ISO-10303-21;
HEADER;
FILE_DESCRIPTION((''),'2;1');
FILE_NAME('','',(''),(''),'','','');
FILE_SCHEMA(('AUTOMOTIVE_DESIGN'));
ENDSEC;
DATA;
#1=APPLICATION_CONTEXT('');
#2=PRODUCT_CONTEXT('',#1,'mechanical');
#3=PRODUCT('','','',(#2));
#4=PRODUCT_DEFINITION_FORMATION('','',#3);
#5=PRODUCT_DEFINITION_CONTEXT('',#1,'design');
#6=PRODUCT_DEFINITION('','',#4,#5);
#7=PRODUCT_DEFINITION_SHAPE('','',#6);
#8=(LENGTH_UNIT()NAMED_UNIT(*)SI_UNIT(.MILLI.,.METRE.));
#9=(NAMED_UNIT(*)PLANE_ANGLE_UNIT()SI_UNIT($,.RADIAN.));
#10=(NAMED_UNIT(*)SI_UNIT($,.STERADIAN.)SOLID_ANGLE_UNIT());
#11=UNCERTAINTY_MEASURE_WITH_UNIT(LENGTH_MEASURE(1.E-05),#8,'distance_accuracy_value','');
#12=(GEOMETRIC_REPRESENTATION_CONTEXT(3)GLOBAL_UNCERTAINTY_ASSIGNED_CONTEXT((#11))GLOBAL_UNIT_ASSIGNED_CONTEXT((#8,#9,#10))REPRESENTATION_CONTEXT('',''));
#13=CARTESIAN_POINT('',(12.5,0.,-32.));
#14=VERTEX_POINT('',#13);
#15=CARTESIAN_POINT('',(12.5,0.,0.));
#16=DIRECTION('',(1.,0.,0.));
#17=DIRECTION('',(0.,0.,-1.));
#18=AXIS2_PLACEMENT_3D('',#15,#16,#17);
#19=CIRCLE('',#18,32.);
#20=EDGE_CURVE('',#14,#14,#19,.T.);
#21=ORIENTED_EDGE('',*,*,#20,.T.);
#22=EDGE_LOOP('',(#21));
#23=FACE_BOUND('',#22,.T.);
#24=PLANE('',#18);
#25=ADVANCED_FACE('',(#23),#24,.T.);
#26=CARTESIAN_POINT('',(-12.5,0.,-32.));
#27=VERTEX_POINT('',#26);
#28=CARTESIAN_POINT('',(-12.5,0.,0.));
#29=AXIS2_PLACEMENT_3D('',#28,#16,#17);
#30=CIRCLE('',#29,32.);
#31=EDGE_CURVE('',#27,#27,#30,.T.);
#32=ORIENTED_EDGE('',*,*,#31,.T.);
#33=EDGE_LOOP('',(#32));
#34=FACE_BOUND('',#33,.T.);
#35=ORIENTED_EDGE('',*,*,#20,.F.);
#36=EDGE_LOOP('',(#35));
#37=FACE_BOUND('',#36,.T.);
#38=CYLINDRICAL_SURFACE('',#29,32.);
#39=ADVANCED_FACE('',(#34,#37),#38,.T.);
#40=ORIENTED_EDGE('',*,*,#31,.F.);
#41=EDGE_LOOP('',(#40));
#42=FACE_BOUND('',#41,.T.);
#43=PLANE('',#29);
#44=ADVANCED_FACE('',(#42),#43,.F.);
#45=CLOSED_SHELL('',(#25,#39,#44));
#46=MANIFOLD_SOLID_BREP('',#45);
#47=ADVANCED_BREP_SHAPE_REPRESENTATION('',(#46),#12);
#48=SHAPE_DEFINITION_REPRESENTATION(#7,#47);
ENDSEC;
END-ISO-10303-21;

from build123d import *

# Parameters (mm, degrees)
BOSS_EXTRUDE1_DEPTH      = 12.5
BOSS_EXTRUDE1_DEPTH_BACK = 12.5
SKETCH1_R                = 32


with BuildPart() as part:
    # Sketch1 → Boss-Extrude1 (new, two sides: drawn at the far end of the back side and taken through both)
    with BuildSketch(Plane(origin=(0, 0, 0), x_dir=(0, 0, -1), z_dir=(1, 0, 0)).offset(-BOSS_EXTRUDE1_DEPTH_BACK)):
        Circle(SKETCH1_R)
    extrude(amount=BOSS_EXTRUDE1_DEPTH + BOSS_EXTRUDE1_DEPTH_BACK)


solid = part.part
